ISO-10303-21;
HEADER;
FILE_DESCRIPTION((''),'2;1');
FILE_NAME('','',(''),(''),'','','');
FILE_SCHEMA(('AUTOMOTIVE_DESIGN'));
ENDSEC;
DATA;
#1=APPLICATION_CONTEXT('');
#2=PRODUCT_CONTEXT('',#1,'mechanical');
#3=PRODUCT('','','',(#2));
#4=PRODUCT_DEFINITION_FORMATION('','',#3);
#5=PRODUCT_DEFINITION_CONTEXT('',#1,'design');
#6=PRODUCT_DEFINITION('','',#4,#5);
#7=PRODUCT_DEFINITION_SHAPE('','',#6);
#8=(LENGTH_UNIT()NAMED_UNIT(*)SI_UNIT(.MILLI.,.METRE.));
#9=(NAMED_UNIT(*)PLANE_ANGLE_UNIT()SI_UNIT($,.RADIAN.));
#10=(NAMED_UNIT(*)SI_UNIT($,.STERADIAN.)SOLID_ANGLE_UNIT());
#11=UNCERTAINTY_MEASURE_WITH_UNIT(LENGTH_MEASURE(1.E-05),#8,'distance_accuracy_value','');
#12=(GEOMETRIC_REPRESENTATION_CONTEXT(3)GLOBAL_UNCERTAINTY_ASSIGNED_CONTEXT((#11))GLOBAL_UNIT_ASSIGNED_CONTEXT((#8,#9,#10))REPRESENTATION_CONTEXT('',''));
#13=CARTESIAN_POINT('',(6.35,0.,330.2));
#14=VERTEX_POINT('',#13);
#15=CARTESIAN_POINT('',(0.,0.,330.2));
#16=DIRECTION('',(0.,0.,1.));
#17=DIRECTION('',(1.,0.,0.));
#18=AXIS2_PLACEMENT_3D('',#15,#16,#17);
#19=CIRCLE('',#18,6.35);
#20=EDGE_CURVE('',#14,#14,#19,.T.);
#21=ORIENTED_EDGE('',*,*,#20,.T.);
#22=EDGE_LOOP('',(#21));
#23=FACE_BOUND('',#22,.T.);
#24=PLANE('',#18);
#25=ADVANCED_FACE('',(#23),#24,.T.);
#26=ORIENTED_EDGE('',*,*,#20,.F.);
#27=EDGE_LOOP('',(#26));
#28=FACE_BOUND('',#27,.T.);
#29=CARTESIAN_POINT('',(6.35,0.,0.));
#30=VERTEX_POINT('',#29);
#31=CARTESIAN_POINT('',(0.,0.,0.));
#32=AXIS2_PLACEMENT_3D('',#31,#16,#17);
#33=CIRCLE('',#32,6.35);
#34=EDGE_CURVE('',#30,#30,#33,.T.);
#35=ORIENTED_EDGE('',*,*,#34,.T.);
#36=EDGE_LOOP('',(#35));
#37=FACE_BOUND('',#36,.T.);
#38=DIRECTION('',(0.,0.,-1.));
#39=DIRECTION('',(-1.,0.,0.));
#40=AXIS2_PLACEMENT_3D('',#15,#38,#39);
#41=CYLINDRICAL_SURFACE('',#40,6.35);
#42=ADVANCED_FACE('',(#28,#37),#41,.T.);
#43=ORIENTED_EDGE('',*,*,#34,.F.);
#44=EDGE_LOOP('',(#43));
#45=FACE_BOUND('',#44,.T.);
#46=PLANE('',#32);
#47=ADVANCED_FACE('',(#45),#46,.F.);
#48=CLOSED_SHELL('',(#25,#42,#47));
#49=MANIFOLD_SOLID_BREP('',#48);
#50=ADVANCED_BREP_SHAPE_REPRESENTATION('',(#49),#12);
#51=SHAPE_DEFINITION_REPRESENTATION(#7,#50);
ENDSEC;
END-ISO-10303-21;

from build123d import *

# Parameters (mm, degrees)
SKETCH1_R           = 6.35
BOSS_EXTRUDE1_DEPTH = 330.2


with BuildPart() as part:
    # Sketch1 → Boss-Extrude1 (new body)
    with BuildSketch(Plane.XY):
        Circle(SKETCH1_R)
    extrude(amount=BOSS_EXTRUDE1_DEPTH)


solid = part.part
